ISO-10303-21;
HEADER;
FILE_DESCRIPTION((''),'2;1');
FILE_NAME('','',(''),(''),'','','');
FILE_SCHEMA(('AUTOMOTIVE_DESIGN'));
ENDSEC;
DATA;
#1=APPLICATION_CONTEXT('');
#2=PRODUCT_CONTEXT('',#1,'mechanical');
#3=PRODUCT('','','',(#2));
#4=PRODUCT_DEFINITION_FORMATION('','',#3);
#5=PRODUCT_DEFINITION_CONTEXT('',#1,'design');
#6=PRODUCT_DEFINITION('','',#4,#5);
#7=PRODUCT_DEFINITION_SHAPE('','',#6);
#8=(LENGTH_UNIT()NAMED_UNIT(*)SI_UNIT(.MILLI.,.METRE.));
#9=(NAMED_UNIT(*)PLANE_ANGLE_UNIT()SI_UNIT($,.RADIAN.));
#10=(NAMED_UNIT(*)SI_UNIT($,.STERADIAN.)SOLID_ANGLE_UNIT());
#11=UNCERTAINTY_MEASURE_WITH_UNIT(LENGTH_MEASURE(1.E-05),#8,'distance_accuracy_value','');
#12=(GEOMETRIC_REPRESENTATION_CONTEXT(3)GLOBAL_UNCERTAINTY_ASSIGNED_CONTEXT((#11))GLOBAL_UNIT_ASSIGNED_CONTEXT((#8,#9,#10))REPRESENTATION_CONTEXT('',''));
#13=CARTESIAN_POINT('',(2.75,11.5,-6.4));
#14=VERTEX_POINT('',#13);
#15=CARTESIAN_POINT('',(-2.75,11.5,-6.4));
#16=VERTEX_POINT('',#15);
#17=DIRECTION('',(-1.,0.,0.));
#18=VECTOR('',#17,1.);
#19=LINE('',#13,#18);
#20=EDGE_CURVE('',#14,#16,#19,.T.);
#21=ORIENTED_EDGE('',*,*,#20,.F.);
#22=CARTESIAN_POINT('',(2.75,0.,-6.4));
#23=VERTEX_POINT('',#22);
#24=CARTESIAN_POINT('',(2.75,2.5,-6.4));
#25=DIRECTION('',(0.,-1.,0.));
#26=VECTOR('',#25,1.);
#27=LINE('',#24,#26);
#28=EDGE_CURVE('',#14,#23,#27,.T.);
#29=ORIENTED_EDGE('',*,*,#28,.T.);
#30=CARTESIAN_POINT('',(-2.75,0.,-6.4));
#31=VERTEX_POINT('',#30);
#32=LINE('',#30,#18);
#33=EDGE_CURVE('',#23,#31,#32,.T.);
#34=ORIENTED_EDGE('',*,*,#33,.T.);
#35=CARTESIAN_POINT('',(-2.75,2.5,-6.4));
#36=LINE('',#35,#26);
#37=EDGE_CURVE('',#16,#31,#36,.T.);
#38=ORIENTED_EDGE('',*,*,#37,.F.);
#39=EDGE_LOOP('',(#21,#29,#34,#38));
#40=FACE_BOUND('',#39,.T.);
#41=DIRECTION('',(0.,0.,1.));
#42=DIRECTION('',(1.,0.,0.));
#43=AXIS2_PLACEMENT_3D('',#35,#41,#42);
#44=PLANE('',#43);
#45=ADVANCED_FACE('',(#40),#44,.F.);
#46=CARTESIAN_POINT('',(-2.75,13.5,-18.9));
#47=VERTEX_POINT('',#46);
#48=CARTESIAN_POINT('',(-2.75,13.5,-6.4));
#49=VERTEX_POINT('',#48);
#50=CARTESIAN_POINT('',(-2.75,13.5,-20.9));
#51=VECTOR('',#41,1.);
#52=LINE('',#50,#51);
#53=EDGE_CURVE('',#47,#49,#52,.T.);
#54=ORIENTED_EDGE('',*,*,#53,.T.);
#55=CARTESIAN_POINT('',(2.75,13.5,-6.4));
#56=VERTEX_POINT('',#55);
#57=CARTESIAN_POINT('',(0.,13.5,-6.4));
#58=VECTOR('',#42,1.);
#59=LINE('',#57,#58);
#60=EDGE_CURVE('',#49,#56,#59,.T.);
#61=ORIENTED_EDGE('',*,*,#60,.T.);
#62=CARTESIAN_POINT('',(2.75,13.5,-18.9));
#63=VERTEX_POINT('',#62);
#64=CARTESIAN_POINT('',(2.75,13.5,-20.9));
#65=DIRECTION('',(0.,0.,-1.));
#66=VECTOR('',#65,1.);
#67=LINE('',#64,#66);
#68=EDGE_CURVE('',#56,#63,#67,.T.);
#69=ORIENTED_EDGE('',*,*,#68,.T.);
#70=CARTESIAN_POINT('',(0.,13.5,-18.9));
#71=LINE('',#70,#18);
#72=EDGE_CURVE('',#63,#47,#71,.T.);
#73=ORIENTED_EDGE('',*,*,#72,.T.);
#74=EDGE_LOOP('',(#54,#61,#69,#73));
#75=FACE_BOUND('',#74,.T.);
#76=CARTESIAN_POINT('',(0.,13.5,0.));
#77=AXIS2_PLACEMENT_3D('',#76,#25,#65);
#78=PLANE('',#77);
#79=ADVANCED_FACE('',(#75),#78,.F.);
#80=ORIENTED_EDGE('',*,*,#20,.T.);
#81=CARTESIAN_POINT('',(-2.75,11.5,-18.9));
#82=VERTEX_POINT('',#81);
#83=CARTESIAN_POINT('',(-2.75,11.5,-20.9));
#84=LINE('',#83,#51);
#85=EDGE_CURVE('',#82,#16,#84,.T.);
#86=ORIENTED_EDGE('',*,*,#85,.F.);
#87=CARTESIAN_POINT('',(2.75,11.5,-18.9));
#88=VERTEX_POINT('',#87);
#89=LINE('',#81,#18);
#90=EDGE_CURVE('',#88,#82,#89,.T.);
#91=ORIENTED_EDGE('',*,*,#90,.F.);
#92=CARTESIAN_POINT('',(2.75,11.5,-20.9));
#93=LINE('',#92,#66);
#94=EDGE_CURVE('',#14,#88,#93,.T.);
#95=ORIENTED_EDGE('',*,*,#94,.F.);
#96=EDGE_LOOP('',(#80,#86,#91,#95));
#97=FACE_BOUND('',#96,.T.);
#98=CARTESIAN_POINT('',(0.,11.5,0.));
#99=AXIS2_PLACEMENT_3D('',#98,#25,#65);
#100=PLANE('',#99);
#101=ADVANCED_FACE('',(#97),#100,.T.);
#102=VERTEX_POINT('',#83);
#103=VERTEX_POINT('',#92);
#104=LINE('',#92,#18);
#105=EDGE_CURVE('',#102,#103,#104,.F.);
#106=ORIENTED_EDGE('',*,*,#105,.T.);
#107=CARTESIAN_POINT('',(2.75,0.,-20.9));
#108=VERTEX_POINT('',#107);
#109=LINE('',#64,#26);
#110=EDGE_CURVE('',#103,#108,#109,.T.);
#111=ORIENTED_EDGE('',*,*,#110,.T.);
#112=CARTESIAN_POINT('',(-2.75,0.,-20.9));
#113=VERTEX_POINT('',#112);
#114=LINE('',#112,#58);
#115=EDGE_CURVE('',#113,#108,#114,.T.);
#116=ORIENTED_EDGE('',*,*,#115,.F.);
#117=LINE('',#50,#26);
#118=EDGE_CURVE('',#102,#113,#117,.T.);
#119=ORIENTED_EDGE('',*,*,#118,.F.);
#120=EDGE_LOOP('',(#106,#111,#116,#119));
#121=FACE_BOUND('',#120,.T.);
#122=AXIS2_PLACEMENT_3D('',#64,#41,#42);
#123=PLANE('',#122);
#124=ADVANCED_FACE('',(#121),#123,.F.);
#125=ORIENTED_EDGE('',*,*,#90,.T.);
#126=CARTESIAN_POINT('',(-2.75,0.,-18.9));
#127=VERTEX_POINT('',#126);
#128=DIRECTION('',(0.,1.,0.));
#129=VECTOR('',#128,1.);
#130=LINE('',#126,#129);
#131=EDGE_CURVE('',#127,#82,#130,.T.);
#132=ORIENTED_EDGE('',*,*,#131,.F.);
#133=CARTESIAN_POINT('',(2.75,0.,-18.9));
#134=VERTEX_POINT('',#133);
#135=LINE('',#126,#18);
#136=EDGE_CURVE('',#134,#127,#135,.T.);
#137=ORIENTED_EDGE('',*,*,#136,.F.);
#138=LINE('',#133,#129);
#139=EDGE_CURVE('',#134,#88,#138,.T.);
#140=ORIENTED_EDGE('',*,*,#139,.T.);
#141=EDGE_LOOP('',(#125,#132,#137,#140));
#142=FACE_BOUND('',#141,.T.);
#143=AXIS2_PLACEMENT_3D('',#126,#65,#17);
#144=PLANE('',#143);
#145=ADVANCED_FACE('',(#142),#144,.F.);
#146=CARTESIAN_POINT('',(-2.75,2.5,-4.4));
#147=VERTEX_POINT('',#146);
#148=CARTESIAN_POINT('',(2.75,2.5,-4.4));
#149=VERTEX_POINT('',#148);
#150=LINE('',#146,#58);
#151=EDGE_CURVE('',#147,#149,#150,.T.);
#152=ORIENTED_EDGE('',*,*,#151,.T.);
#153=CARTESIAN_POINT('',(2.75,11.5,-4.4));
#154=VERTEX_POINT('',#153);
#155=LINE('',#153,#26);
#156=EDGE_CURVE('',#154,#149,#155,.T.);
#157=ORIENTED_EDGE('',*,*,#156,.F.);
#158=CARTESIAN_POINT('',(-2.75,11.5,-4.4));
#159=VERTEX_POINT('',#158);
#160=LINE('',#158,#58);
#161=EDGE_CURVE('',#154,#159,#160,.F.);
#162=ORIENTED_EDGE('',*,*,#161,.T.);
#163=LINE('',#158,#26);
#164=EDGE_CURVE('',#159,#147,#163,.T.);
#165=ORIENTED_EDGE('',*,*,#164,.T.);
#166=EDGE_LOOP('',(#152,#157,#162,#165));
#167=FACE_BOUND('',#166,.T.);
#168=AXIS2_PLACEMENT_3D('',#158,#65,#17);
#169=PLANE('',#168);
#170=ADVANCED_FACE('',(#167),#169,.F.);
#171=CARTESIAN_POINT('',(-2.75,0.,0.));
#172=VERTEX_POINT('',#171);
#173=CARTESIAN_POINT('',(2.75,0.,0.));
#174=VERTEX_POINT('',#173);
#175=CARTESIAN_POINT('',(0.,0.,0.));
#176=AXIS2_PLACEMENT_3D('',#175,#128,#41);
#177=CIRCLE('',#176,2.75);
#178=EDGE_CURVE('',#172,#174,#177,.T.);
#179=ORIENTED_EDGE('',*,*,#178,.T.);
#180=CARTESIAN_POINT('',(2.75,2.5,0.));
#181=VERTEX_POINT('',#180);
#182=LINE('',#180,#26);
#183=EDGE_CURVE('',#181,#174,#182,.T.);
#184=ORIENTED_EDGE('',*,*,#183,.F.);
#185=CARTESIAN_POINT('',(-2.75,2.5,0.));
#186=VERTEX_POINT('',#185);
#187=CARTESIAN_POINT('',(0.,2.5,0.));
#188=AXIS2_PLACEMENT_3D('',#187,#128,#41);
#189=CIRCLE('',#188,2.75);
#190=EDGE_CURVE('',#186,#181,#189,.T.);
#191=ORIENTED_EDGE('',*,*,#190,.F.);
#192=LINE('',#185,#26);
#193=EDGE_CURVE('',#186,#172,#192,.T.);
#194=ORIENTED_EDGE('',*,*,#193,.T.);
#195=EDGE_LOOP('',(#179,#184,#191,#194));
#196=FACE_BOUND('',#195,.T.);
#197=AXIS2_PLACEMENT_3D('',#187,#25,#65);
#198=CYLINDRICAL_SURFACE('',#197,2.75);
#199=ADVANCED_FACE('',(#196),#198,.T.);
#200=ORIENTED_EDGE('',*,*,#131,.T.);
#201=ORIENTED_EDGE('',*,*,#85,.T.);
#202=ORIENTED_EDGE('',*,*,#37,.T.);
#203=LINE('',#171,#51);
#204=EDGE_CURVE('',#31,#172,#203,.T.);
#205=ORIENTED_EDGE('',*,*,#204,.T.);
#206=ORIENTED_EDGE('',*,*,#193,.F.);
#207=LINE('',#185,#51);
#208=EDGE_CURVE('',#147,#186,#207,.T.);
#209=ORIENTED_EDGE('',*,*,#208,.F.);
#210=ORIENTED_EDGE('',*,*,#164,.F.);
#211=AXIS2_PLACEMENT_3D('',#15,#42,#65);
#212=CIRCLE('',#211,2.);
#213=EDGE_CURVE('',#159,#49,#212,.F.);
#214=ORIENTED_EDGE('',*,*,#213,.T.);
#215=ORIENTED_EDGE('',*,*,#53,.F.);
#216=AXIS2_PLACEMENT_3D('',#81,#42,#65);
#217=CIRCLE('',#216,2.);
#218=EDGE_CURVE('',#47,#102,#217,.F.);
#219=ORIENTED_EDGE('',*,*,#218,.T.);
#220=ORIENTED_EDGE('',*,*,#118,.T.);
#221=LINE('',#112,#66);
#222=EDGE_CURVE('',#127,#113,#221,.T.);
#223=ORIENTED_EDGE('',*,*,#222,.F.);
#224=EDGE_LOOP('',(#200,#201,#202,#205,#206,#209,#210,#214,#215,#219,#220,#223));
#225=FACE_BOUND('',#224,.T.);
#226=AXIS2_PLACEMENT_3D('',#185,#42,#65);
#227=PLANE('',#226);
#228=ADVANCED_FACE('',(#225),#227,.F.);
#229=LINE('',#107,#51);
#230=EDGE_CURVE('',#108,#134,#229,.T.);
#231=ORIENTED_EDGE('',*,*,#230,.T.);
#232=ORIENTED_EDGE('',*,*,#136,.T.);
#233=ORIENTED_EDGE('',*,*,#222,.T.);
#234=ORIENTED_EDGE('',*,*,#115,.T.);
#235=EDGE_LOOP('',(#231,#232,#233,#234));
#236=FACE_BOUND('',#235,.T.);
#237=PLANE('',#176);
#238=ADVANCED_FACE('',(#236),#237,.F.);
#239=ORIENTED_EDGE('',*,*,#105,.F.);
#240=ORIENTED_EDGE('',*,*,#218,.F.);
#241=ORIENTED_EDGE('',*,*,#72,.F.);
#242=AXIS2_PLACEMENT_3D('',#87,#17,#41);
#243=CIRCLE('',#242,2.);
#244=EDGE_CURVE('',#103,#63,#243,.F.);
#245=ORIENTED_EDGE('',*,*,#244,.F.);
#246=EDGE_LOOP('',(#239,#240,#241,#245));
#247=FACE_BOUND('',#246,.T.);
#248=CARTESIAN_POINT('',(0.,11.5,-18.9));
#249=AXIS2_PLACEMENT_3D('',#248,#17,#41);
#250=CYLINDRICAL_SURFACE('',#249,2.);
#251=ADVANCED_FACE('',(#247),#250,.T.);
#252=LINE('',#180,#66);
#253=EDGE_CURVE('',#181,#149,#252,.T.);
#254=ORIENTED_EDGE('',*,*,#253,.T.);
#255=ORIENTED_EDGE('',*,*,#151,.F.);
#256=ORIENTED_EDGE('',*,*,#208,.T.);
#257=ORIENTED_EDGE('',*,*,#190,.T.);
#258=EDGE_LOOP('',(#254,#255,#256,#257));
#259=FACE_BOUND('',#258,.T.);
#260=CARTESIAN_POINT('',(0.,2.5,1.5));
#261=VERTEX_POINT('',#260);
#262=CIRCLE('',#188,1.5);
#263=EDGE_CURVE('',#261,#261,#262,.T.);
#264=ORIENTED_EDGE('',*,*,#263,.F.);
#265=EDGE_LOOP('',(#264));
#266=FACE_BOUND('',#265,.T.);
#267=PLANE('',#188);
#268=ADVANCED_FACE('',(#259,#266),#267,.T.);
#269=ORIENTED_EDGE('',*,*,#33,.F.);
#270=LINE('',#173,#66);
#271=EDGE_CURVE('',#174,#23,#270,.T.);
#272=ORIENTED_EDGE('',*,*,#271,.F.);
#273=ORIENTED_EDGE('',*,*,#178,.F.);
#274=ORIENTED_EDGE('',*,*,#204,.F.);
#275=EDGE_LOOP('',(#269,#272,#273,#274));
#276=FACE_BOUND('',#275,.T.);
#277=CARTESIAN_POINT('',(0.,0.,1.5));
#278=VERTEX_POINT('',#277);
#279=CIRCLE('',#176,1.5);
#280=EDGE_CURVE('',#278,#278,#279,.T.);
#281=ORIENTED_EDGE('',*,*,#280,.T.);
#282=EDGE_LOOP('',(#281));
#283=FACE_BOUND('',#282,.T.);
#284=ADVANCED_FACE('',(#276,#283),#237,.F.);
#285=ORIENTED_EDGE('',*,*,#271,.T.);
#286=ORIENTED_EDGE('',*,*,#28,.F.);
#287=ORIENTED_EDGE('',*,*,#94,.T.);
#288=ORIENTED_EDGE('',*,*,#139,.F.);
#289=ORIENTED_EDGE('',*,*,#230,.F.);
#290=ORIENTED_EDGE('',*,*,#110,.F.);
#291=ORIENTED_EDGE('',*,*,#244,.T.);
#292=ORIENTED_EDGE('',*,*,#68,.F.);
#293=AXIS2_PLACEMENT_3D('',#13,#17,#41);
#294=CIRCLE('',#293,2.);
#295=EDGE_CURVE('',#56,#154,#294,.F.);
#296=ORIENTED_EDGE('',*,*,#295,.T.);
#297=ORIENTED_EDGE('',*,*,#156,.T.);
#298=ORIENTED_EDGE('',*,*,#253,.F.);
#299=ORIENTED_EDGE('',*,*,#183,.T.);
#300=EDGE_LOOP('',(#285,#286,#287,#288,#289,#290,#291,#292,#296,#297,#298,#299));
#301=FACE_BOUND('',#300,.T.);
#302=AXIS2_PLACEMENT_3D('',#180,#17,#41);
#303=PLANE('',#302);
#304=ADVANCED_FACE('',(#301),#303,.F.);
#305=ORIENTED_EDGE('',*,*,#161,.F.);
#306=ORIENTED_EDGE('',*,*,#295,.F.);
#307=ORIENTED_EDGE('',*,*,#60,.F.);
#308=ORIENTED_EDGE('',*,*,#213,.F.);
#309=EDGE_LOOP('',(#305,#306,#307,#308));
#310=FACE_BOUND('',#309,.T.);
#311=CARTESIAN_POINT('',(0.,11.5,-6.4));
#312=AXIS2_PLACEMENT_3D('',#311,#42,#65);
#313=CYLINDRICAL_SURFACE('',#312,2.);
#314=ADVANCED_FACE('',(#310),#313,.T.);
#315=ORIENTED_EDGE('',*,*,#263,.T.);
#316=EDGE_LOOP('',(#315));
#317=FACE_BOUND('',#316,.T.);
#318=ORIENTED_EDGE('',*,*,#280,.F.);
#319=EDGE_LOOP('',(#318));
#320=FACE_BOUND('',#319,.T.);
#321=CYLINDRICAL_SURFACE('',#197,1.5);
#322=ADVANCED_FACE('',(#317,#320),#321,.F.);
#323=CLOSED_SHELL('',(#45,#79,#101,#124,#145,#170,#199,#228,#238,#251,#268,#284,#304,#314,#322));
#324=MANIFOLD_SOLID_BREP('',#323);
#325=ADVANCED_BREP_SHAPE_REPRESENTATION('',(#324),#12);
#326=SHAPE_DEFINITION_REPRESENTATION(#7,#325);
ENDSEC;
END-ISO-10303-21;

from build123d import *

# Parameters (mm, degrees)
SKETCH2_R           = 1.5
BOSS_EXTRUDE1_DEPTH = 2.5
SKETCH3_W           = 5.5
SKETCH3_H           = 2
BOSS_EXTRUDE2_DEPTH = 9
SKETCH4_W           = 5.5
SKETCH4_H           = 16.5
BOSS_EXTRUDE3_DEPTH = 2
SKETCH5_W           = 5.5
SKETCH5_H           = 2
BOSS_EXTRUDE4_DEPTH = 11.5
FILLET1_R           = 2


with BuildPart() as part:
    # Sketch2 → Boss-Extrude1 (new body)
    with BuildSketch(Plane(origin=(0, 0, 0), x_dir=(1, 0, 0), z_dir=(0, 1, 0))):
        with BuildLine():
            Line((-2.75, 0), (-2.75, 6.4))
            Line((-2.75, 6.4), (2.75, 6.4))
            Line((2.75, 6.4), (2.75, 0))
            ThreePointArc((2.75, 0), (0, -2.75), (-2.75, 0))
        make_face()
        with Locations(Location((0, 0, 0), (0, 0, 270))):
            Circle(SKETCH2_R, mode=Mode.SUBTRACT)
    extrude(amount=BOSS_EXTRUDE1_DEPTH)

    # Sketch3 → Boss-Extrude2 (add)
    with BuildSketch(Plane(origin=(0, 2.5, 0), x_dir=(1, 0, 0), z_dir=(0, 1, 0))):
        with Locations((0, 5.4)):
            Rectangle(SKETCH3_W, SKETCH3_H)
    extrude(amount=BOSS_EXTRUDE2_DEPTH)

    # Sketch4 → Boss-Extrude3 (add)
    with BuildSketch(Plane(origin=(0, 11.5, 0), x_dir=(1, 0, 0), z_dir=(0, 1, 0))):
        with Locations((0, 12.65)):
            Rectangle(SKETCH4_W, SKETCH4_H)
    extrude(amount=BOSS_EXTRUDE3_DEPTH)

    # Sketch5 → Boss-Extrude4 (add)
    with BuildSketch(Plane.XZ.offset(-11.5)):
        with Locations((0, -19.9)):
            Rectangle(SKETCH5_W, SKETCH5_H)
    extrude(amount=BOSS_EXTRUDE4_DEPTH)

    # Fillet1
    fillet1_edges = [part.edges().sort_by_distance(p)[0] for p in [
        (0, 13.5, -4.4),
        (0, 13.5, -20.9),
    ]]
    fillet(fillet1_edges, radius=FILLET1_R)


solid = part.part
